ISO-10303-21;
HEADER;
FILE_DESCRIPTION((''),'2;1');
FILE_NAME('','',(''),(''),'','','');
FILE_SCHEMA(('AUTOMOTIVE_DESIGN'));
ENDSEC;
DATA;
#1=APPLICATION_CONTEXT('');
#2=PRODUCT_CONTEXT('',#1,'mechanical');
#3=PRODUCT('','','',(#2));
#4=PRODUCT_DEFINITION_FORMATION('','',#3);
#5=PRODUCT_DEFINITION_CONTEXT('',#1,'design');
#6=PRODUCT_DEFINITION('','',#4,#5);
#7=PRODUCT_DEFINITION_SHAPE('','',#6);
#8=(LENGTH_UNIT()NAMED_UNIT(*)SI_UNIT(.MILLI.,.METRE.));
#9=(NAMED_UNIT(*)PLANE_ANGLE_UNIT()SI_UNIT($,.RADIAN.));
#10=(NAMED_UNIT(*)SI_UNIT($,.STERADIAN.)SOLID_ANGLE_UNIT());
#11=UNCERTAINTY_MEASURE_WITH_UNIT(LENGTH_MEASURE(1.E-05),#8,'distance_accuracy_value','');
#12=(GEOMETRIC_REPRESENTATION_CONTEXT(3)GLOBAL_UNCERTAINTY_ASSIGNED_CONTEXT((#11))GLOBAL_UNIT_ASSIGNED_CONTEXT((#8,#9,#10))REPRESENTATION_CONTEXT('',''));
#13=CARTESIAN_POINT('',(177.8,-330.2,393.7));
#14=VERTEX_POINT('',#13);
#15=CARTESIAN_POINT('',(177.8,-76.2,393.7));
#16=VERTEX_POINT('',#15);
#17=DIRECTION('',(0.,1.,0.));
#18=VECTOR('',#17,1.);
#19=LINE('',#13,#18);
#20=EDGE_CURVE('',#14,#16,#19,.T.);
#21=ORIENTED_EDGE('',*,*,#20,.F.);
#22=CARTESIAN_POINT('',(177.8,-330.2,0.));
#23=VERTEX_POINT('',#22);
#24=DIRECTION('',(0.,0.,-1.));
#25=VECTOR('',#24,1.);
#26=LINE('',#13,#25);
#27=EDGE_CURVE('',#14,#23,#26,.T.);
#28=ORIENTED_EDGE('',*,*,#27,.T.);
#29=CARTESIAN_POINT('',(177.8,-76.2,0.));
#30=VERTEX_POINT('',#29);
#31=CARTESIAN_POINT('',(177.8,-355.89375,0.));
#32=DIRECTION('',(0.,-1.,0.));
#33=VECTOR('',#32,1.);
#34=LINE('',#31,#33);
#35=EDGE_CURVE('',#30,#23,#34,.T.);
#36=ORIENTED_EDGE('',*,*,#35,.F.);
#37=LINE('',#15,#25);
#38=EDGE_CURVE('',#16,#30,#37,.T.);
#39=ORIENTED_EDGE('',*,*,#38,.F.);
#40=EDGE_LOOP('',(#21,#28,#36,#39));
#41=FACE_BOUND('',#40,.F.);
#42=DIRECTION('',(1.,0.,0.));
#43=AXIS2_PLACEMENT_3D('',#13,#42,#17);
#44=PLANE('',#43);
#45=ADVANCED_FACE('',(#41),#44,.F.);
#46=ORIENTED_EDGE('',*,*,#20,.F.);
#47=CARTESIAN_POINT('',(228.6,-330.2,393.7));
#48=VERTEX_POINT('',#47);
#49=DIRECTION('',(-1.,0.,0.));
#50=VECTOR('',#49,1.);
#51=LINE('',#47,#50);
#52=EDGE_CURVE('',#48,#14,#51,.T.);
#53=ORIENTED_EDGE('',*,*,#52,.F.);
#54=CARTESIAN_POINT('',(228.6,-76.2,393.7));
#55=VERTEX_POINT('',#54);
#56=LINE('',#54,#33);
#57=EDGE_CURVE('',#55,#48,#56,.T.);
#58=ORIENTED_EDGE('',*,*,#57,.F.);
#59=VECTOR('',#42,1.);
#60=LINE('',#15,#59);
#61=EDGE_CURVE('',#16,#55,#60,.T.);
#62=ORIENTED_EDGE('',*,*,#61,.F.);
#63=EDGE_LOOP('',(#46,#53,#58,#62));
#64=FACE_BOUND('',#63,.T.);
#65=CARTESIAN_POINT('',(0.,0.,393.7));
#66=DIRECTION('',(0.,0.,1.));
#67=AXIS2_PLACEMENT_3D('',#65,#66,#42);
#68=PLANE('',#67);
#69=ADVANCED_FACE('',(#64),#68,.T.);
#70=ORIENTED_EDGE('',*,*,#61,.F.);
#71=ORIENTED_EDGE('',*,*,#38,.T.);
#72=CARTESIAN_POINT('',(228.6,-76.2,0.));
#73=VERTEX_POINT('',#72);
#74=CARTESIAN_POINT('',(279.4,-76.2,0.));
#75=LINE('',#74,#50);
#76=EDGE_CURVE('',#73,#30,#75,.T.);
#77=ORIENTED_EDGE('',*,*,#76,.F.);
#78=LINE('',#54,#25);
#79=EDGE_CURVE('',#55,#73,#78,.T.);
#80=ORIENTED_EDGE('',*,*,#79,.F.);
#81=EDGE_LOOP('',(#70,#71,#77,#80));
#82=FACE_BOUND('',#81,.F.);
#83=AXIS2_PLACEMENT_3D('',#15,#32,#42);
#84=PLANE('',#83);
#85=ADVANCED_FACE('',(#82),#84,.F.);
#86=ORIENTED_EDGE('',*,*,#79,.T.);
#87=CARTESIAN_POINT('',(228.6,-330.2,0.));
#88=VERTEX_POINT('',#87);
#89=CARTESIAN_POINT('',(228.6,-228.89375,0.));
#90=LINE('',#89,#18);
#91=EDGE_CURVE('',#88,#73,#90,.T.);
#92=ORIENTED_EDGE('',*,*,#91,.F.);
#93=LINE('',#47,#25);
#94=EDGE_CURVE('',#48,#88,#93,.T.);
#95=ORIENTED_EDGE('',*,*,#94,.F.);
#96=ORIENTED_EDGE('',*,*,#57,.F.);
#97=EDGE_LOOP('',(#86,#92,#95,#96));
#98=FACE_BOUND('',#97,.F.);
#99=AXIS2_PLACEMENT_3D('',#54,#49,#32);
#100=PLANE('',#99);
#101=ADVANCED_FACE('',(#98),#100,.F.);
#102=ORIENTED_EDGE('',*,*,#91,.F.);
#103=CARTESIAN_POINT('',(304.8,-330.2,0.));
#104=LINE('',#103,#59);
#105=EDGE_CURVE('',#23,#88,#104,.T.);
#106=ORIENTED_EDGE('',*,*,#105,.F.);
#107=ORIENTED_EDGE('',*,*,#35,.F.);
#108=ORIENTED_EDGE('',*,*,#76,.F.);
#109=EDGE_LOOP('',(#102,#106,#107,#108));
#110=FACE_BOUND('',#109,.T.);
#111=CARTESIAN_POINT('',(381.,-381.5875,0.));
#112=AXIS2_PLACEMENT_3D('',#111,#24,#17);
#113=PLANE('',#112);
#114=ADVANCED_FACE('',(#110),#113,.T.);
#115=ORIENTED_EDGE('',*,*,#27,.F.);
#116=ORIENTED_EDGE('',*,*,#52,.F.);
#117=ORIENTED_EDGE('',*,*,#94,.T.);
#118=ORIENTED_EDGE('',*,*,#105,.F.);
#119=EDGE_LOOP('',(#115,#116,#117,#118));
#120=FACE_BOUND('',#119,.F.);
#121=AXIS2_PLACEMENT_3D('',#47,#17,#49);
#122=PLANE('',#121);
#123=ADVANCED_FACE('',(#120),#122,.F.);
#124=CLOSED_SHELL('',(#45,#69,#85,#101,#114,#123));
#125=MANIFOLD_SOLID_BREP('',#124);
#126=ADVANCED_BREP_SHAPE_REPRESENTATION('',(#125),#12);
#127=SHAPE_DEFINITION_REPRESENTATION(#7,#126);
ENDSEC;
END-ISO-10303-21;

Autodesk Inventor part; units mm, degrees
ref_plane "YZ Plane" through (0, 0, 0) normal (1, 0, 0) x (0, 1, 0)
ref_plane "XZ Plane" through (0, 0, 0) normal (0, 1, 0) x (-1, 0, 0)
ref_plane "XY Plane" through (0, 0, 0) normal (0, 0, 1) x (1, 0, 0)
sketch "Sketch1" plane through (0, 0, 0) normal (0, 0, 1) x (1, 0, 0)
  line L0 (0, 0) -> (812.8, 0) construction
  line L1 (812.8, 0) -> (812.8, -406.4) construction
  line L2 (812.8, -406.4) -> (0, -406.4) construction
  line L3 (0, -406.4) -> (0, 0) construction
  line L4 (0, 0) -> (406.4, 0)
  line L5 (406.4, 0) -> (406.4, -25.4)
  line L6 (406.4, -25.4) -> (0, -25.4)
  line L7 (0, -25.4) -> (0, 0)
  line L8 (406.4, -25.4) -> (381, -25.4)
  line L9 (381, -25.4) -> (381, -406.4)
  line L10 (381, -406.4) -> (406.4, -406.4)
  line L11 (406.4, -406.4) -> (406.4, -25.4)
  line L12 (381, -406.4) -> (0, -406.4)
  line L13 (0, -406.4) -> (0, -381)
  line L14 (0, -381) -> (381, -381)
  line L15 (381, -381) -> (381, -406.4)
  line L16 (0, -381) -> (25.4, -381)
  line L17 (25.4, -381) -> (25.4, -25.4)
  line L18 (25.4, -25.4) -> (0, -25.4)
  line L19 (0, -25.4) -> (0, -381)
  dimension "d1" = 812.8
  dimension "d5" = 406.4
  dimension "d6" = 25.4
  dimension "d7" = 25.4
  dimension "d8" = 381
  dimension "d9" = 381
  dimension "d10" = 25.4
  dimension "d11" = 25.4
extrude "Extrusion1" add sketch "Sketch1" against normal blind 25.4 contours L6 L9 L14 L17
sketch "Sketch3" plane through (0, 0, 0) normal (0, 0, 1) x (1, 0, 0)
  line L0 (-406.4, 0) -> (406.4, 0) construction
  line L1 (406.4, 0) -> (406.4, -406.4) construction
  line L2 (406.4, -406.4) -> (-406.4, -406.4) construction
  line L3 (-406.4, -406.4) -> (-406.4, 0) construction
  line L4 (406.4, -406.4) -> (406.4, 0)
  line L5 (381, -381) -> (25.4, -381) projected
  line L6 (25.4, -381) -> (177.8, -381)
  line L7 (177.8, -381) -> (203.2, -381)
  line L8 (177.8, -381) -> (177.8, -355.6)
  line L9 (177.8, -355.6) -> (228.6, -355.6)
  line L10 (228.6, -355.6) -> (228.6, -330.2)
  line L11 (228.6, -330.2) -> (254, -330.2)
  line L12 (254, -330.2) -> (254, -76.2)
  line L13 (254, -76.2) -> (228.6, -76.2)
  line L14 (228.6, -76.2) -> (228.6, -50.8)
  line L15 (228.6, -50.8) -> (177.8, -50.8)
  line L16 (177.8, -50.8) -> (177.8, -76.2)
  line L17 (177.8, -76.2) -> (152.4, -76.2)
  line L18 (152.4, -76.2) -> (152.4, -330.2)
  line L19 (152.4, -330.2) -> (177.8, -330.2)
  line L20 (177.8, -330.2) -> (177.8, -355.6)
  point P0 (0, 0)
  dimension "d36" = 812.8
  dimension "d48" = 152.4
  dimension "d49" = 25.4
  dimension "d50" = 25.4
  dimension "d51" = 50.8
  dimension "d52" = 25.4
  dimension "d53" = 25.4
  dimension "d54" = 254
  dimension "d55" = 25.4
  dimension "d56" = 25.4
  dimension "d57" = 50.8
  dimension "d58" = 25.4
  dimension "d59" = 25.4
  dimension "d60" = 254
  dimension "d61" = 25.4
extrude "Extrusion3" add sketch "Sketch3" along normal blind 393.7
sketch "Sketch4" plane through (381, -381, 0) normal (1, 0, 0) x (0, 0, -1)
  line L0 (0, 355.6) -> (25.4, 355.6) projected
  line L1 (153.8842, -0.5875) -> (0, -0.5875)
  line L2 (0, -0.5875) -> (0, 355.6)
  line L3 (0, 355.6) -> (153.8842, 355.6)
  line L4 (153.8842, 355.6) -> (153.8842, -0.5875)
  point P0 (0, 381)
extrude "Extrusion4" cut sketch "Sketch4" against normal blind 393.7
sketch "Sketch6" plane through (0, 0, 393.7) normal (0, 0, 1) x (1, 0, 0)
  line L0 (177.8, -50.8) -> (177.8, -76.2) projected
  line L1 (177.8, -76.2) -> (152.4, -76.2)
  line L2 (152.4, -76.2) -> (152.4, -50.8)
  line L3 (152.4, -50.8) -> (177.8, -50.8)
  line L4 (177.8, -50.8) -> (177.8, -76.2)
  line L5 (228.6, -50.8) -> (228.6, -76.2) projected
  line L6 (228.6, -50.8) -> (254, -50.8)
  line L7 (254, -50.8) -> (254, -76.2)
  line L8 (254, -76.2) -> (228.6, -76.2)
  line L9 (228.6, -76.2) -> (228.6, -50.8)
  line L10 (254, -330.2) -> (228.6, -330.2) projected
  line L11 (228.6, -355.6) -> (177.8, -355.6) projected
  line L12 (254, -330.2) -> (228.6, -330.2)
  line L13 (228.6, -330.2) -> (228.6, -355.6)
  line L14 (228.6, -355.6) -> (254, -355.6)
  line L15 (254, -355.6) -> (254, -330.2)
  line L16 (177.8, -355.6) -> (152.4, -355.6)
  line L17 (152.4, -355.6) -> (152.4, -330.2)
  line L18 (152.4, -330.2) -> (177.8, -330.2)
  line L19 (177.8, -330.2) -> (177.8, -355.6)
  point P0 (0, 0)
  dimension "d68" = 25.4
  dimension "d69" = 25.4
extrude "Extrusion6" add sketch "Sketch6" against normal blind 393.7
sketch "Sketch7" plane through (0, 0, 393.7) normal (0, 0, 1) x (1, 0, 0)
  line L0 (254, -50.8) -> (152.4, -50.8) projected
  line L1 (152.4, -50.8) -> (177.8, -50.8)
  line L2 (177.8, -50.8) -> (177.8, -76.2)
  line L3 (177.8, -76.2) -> (152.4, -76.2)
  line L4 (152.4, -76.2) -> (152.4, -50.8)
  line L5 (177.8, -76.2) -> (228.6, -76.2)
  line L6 (228.6, -76.2) -> (228.6, -330.2)
  line L7 (228.6, -330.2) -> (177.8, -330.2)
  line L8 (177.8, -330.2) -> (177.8, -76.2)
  line L9 (254, -355.6) -> (254, -50.8) projected
  line L10 (152.4, -50.8) -> (254, -50.8)
  line L11 (254, -50.8) -> (254, -355.6)
  line L12 (254, -355.6) -> (152.4, -355.6)
  line L13 (152.4, -355.6) -> (152.4, -50.8)
  point P0 (0, 0)
  dimension "d72" = 25.4
  dimension "d73" = 25.4
  dimension "d74" = 50.8
  dimension "d75" = 254
extrude "Extrusion7" cut sketch "Sketch7" against normal through all
properties part number "JukeBox CD Player SQ"
